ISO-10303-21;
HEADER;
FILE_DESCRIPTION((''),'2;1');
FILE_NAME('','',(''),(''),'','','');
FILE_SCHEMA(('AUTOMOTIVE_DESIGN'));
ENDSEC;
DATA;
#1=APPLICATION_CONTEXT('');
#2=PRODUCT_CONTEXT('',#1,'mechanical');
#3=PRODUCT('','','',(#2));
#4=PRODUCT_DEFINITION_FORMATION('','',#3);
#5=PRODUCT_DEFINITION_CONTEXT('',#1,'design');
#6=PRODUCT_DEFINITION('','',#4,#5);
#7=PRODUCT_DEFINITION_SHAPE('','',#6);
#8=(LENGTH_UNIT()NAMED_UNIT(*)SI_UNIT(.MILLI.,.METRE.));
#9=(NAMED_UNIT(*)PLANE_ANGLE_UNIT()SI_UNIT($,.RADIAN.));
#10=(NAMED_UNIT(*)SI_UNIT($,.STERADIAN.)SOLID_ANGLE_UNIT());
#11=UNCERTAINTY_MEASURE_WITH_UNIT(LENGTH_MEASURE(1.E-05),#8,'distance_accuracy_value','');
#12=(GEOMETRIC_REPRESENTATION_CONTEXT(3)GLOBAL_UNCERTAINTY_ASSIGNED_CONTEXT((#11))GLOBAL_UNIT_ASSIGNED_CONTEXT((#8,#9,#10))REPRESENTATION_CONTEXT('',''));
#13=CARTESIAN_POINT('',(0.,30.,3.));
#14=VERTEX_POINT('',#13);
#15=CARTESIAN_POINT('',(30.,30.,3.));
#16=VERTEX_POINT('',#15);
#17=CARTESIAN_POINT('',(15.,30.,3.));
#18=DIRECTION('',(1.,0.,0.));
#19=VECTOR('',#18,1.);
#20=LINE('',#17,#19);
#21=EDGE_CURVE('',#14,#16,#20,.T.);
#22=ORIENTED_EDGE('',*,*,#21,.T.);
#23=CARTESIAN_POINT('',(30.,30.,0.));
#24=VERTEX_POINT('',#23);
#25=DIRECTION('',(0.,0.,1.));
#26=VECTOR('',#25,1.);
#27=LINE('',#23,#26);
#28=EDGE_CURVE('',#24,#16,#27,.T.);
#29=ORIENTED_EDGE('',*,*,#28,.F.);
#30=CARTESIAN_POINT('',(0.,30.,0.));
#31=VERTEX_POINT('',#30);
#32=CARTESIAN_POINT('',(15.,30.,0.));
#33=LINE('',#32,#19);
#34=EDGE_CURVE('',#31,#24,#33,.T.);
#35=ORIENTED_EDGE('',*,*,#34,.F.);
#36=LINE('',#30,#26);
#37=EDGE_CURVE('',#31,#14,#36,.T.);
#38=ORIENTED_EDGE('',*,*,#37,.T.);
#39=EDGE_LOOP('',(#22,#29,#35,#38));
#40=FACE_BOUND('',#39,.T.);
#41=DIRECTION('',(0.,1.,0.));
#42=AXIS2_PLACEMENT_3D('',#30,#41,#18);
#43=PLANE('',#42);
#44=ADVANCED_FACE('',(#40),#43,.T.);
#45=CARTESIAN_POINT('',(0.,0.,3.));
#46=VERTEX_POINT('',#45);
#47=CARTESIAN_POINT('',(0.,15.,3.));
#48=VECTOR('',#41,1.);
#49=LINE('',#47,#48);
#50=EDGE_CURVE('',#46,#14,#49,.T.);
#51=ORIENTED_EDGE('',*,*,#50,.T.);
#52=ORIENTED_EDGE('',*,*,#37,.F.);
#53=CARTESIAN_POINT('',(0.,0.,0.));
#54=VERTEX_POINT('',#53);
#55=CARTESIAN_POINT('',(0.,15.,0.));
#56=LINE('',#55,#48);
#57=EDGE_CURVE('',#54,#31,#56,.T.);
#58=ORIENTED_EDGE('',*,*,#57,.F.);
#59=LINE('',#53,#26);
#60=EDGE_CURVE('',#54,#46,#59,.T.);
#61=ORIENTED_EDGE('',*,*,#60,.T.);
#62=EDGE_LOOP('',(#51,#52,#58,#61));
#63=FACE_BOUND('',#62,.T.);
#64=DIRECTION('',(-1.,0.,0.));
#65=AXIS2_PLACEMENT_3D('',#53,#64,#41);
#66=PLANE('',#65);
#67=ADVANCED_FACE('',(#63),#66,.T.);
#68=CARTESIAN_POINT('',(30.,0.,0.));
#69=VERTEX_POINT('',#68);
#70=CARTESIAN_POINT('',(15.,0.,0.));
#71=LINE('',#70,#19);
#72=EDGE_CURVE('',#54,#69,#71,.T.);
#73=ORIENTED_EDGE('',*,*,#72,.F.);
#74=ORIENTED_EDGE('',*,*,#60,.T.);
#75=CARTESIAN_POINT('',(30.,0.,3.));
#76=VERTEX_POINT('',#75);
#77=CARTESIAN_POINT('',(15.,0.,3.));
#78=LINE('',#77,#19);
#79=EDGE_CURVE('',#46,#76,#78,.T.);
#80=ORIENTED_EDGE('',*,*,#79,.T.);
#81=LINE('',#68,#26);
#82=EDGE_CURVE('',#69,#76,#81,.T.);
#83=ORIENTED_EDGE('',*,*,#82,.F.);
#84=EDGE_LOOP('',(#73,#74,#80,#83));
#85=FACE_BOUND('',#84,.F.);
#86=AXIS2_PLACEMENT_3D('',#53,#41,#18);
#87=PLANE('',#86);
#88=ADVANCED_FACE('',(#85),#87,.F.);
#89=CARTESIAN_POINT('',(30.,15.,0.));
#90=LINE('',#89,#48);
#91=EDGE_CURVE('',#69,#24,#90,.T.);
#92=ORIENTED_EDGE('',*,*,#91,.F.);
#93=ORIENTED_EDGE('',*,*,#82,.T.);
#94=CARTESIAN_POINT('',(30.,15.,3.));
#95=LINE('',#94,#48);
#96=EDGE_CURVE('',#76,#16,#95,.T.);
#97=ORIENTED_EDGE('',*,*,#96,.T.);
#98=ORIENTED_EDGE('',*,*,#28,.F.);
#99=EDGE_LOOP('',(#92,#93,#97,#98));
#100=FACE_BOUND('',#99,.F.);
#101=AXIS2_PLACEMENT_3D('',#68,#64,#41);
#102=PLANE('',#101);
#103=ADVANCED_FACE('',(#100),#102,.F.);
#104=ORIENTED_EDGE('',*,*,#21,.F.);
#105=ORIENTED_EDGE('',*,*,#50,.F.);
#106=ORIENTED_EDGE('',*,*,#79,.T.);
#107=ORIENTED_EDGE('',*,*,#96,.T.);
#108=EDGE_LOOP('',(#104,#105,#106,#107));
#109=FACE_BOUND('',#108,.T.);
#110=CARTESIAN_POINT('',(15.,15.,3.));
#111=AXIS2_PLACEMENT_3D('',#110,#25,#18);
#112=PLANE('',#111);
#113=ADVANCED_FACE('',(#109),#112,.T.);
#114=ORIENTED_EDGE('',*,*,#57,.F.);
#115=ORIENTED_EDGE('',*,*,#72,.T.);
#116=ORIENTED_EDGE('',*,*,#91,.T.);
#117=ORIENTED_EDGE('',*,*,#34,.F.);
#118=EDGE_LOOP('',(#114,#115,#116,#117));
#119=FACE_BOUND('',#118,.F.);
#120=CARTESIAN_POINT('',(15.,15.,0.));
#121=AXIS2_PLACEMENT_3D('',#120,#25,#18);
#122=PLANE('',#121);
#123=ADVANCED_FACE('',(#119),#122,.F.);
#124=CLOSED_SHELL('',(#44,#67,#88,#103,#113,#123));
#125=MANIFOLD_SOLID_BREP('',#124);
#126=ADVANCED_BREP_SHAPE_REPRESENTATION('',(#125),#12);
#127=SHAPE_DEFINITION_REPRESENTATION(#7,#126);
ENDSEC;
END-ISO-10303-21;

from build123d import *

# Parameters (mm, degrees)
SKETCH_W  = 30
SKETCH_H  = 30
PAD_DEPTH = 3


with BuildPart() as part:
    # Sketch → Pad (new body)
    with BuildSketch(Plane.XY):
        with Locations((15, 15)):
            Rectangle(SKETCH_W, SKETCH_H)
    extrude(amount=PAD_DEPTH)


solid = part.part
